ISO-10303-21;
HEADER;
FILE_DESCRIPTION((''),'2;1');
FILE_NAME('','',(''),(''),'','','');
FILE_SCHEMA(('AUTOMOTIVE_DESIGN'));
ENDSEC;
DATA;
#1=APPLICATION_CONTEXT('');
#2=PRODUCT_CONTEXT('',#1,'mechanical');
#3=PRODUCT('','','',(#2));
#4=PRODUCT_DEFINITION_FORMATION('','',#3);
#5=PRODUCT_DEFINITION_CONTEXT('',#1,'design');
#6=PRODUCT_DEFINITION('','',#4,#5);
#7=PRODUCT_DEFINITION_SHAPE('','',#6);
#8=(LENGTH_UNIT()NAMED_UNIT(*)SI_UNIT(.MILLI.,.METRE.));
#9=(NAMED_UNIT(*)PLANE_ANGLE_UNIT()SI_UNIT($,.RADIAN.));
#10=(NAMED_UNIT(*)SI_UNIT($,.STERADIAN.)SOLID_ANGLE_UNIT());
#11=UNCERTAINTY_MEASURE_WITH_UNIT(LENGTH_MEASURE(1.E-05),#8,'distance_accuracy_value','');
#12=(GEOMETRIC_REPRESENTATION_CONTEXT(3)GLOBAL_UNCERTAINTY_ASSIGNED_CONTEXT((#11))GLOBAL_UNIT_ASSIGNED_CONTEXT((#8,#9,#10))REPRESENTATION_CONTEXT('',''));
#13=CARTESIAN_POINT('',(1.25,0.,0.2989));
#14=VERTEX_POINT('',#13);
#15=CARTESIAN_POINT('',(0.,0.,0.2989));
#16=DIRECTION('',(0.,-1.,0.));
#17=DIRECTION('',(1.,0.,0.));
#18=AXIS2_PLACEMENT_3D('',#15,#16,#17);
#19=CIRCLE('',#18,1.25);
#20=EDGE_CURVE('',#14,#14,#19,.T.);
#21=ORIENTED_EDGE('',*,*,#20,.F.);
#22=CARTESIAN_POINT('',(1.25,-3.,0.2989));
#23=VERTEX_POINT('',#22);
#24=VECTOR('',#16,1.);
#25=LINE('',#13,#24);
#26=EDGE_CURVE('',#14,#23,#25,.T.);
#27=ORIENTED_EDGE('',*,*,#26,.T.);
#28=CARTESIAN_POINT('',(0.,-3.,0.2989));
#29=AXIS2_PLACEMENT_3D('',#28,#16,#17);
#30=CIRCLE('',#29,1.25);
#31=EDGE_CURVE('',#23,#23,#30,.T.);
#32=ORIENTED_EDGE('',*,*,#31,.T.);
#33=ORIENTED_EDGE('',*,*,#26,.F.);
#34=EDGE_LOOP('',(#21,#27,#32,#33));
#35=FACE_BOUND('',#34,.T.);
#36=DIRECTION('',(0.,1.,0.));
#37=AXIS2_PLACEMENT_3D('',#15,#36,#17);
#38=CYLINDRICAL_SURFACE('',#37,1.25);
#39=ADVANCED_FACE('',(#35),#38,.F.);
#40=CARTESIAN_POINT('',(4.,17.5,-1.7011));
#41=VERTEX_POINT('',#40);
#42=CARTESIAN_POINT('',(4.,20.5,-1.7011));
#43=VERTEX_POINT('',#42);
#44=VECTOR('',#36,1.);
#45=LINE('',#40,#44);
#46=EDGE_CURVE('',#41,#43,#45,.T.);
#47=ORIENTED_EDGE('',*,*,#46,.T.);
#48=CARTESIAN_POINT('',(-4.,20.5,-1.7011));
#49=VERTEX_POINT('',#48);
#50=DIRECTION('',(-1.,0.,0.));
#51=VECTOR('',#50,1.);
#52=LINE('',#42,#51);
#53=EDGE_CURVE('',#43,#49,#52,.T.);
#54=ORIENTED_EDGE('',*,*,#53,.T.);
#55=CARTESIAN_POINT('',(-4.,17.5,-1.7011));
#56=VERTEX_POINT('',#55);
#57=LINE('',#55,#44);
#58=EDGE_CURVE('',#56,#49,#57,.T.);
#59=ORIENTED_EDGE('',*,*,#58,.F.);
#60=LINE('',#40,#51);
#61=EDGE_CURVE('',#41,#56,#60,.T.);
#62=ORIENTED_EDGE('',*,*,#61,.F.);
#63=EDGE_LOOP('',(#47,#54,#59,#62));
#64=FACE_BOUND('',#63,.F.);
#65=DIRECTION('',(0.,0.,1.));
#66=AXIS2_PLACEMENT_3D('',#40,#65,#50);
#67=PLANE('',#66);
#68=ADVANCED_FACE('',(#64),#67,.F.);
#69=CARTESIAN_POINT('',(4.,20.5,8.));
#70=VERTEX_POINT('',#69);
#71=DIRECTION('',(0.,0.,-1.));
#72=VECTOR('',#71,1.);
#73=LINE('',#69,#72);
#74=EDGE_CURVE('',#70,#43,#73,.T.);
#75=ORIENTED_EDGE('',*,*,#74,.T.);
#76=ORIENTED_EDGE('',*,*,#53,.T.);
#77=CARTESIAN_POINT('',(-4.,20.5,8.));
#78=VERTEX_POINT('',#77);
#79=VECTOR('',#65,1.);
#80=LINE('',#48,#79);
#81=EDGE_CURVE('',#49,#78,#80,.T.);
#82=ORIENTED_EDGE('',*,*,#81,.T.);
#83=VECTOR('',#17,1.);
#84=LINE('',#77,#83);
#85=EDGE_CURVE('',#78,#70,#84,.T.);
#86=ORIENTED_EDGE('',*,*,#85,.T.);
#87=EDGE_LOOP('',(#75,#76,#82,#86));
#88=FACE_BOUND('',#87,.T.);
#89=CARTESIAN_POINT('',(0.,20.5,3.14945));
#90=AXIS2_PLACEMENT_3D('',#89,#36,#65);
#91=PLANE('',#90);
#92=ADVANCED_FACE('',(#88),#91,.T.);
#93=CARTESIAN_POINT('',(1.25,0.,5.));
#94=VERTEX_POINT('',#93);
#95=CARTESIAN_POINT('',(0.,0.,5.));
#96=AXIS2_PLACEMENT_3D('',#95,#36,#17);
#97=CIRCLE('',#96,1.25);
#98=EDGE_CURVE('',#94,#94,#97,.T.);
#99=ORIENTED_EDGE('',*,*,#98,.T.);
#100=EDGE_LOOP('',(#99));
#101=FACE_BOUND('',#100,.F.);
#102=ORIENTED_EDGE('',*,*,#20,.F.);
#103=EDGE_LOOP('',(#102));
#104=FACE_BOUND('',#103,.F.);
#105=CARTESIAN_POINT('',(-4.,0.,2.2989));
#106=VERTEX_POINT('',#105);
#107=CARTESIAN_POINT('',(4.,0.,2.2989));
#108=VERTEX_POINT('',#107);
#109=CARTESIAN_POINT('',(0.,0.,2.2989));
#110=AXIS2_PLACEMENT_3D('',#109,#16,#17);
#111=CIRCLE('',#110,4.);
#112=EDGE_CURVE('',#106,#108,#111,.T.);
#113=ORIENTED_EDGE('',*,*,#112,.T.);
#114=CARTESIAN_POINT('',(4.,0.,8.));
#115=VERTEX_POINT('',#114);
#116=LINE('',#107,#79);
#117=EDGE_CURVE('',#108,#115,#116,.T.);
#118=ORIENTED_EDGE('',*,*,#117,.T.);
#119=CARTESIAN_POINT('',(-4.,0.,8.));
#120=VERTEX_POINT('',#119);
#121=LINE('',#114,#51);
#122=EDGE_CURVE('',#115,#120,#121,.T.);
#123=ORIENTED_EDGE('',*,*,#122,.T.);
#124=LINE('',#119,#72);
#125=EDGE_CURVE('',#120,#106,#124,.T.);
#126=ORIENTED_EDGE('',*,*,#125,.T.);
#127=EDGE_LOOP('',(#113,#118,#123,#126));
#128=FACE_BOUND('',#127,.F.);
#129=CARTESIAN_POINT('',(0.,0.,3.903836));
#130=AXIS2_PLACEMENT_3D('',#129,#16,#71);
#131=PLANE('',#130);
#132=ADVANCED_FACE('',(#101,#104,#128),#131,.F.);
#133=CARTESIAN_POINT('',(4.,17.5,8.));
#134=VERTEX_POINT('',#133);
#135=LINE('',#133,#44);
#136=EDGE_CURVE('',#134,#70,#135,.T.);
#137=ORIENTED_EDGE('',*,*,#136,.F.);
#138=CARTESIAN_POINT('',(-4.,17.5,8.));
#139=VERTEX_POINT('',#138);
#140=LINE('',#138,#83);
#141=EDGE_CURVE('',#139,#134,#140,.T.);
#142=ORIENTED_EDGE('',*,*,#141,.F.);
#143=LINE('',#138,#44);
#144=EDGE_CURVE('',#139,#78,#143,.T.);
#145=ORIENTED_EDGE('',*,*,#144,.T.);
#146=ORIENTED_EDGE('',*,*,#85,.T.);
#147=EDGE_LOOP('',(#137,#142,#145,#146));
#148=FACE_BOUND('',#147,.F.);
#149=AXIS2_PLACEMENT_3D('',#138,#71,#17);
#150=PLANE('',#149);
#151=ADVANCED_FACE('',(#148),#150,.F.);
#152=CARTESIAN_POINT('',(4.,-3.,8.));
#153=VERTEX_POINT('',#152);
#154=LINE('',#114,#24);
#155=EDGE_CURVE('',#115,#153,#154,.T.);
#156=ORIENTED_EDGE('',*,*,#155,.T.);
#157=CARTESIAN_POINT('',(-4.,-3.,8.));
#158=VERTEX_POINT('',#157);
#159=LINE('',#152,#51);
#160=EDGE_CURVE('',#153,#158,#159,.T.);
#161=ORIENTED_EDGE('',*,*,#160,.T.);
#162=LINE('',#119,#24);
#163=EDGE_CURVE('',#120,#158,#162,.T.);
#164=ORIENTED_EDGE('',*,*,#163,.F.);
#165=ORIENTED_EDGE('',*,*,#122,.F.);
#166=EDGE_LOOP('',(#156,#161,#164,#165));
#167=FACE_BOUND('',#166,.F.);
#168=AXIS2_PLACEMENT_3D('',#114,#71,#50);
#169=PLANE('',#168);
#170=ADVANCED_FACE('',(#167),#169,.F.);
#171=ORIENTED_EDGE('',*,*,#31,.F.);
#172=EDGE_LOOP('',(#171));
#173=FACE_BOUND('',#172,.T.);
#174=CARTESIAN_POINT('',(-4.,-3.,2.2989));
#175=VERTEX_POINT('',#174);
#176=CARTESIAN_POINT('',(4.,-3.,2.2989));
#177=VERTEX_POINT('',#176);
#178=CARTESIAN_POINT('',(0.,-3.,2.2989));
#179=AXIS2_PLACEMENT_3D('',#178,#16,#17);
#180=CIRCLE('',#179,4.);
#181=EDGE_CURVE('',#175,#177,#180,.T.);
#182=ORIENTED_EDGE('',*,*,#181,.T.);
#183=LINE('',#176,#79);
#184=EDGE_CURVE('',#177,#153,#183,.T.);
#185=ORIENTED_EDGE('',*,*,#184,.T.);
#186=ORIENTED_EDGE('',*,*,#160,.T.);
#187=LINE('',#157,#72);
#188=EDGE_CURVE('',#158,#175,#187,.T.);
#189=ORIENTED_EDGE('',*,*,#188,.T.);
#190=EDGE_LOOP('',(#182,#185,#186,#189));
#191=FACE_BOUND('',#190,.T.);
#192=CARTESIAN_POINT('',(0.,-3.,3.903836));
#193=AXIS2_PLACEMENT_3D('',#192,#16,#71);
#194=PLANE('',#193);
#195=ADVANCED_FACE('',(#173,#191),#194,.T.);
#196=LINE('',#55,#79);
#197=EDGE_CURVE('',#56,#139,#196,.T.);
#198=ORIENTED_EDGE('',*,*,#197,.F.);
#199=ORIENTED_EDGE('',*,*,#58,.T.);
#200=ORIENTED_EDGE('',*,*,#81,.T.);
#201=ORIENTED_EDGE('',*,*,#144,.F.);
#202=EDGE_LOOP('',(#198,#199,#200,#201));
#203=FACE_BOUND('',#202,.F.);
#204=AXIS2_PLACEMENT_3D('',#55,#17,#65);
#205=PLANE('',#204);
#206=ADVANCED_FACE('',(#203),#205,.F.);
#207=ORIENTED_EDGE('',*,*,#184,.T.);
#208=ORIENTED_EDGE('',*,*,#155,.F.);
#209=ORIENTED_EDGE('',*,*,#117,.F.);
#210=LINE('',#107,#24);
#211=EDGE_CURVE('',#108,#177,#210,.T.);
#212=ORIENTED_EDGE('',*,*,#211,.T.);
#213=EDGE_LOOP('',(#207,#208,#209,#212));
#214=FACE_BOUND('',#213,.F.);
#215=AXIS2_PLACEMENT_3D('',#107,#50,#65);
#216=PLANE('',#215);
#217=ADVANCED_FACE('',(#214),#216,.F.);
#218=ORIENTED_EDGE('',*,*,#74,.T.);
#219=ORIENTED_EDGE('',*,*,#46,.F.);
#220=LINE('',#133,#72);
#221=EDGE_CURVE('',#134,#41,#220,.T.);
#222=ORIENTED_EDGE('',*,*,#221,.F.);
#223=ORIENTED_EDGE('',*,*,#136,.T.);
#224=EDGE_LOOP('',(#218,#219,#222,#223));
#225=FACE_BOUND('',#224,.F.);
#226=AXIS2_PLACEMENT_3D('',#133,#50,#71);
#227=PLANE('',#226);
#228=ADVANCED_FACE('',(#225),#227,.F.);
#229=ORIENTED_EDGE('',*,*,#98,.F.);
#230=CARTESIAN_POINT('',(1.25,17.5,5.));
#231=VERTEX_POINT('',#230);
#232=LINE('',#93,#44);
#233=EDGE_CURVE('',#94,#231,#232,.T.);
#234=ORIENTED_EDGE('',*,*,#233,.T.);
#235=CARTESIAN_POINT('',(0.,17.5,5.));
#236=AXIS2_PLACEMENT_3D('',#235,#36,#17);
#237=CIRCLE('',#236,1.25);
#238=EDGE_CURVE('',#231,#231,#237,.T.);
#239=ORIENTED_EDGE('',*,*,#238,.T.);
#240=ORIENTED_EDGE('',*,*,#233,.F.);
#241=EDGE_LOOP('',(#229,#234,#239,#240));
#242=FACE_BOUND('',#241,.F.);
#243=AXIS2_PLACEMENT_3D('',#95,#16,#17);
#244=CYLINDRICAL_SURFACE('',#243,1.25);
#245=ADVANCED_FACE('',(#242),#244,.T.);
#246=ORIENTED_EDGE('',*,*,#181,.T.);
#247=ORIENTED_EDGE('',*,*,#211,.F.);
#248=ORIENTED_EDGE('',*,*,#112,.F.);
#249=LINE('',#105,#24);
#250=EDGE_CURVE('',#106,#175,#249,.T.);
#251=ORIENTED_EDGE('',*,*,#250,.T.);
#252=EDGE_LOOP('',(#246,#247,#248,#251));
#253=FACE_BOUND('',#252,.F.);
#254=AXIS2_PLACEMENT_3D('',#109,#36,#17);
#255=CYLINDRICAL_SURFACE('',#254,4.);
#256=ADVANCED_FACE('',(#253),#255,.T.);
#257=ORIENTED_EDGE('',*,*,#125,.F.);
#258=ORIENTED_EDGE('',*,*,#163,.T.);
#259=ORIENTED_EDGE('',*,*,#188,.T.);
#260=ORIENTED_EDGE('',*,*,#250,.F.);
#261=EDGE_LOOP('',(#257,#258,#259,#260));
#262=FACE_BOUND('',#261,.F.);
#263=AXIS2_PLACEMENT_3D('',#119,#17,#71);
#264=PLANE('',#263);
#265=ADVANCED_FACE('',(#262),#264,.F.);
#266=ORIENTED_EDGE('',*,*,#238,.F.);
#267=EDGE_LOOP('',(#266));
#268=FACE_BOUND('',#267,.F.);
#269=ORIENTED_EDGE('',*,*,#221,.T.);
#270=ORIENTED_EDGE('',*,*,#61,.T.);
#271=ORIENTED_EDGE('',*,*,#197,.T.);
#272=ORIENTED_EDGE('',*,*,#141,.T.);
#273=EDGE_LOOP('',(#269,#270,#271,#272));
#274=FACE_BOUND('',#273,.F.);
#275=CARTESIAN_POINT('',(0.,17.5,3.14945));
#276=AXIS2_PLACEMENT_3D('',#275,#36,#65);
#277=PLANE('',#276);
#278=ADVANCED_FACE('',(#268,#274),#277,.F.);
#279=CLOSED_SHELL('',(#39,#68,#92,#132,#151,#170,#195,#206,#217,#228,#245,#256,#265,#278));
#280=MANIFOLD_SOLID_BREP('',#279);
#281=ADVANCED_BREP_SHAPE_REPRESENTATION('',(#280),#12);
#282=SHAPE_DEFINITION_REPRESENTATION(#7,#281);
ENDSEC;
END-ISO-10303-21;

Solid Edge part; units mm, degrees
sketch "Sketch1" plane through (0, 0, 0) normal (0, -1, 0) x (1, 0, 0)
  circle A0 centre (0, 0.2989) radius 1.25
  line L0 (-4, 8) -> (-4, 2.2989)
  line L1 (4, 2.2989) -> (4, 8)
  line L2 (4, 8) -> (-4, 8)
  arc A1 (-4, 2.2989) -> (4, 2.2989) centre (0, 2.2989) ccw
  dimension "D1" = 8
  dimension "D2" = 5.7011
  dimension "D3" = 4
  dimension "D4" = 2.5
  dimension "D5" = 2
extrude "Protrusion1" add sketch "Sketch1" along normal blind 3
sketch "Sketch2" plane through (0, 0, 3.1494) normal (0, 1, 0) x (1, 0, 0)
  circle A0 centre (0, -1.8506) radius 1.25
  dimension "D1" = 2.5
  dimension "D2" = 3
extrude "ExtrudedProtrusion_2" add sketch "Sketch2" along normal blind 17.5
sketch "Sketch3" plane through (0, 17.5, 5) normal (0, 1, 0) x (0, 0, -1)
  line L0 (-3, -4) -> (6.7011, -4)
  line L1 (6.7011, -4) -> (6.7011, 4)
  line L2 (6.7011, 4) -> (-3, 4)
  line L3 (-3, 4) -> (-3, -4)
extrude "ExtrudedProtrusion_3" add sketch "Sketch3" along normal blind 3
